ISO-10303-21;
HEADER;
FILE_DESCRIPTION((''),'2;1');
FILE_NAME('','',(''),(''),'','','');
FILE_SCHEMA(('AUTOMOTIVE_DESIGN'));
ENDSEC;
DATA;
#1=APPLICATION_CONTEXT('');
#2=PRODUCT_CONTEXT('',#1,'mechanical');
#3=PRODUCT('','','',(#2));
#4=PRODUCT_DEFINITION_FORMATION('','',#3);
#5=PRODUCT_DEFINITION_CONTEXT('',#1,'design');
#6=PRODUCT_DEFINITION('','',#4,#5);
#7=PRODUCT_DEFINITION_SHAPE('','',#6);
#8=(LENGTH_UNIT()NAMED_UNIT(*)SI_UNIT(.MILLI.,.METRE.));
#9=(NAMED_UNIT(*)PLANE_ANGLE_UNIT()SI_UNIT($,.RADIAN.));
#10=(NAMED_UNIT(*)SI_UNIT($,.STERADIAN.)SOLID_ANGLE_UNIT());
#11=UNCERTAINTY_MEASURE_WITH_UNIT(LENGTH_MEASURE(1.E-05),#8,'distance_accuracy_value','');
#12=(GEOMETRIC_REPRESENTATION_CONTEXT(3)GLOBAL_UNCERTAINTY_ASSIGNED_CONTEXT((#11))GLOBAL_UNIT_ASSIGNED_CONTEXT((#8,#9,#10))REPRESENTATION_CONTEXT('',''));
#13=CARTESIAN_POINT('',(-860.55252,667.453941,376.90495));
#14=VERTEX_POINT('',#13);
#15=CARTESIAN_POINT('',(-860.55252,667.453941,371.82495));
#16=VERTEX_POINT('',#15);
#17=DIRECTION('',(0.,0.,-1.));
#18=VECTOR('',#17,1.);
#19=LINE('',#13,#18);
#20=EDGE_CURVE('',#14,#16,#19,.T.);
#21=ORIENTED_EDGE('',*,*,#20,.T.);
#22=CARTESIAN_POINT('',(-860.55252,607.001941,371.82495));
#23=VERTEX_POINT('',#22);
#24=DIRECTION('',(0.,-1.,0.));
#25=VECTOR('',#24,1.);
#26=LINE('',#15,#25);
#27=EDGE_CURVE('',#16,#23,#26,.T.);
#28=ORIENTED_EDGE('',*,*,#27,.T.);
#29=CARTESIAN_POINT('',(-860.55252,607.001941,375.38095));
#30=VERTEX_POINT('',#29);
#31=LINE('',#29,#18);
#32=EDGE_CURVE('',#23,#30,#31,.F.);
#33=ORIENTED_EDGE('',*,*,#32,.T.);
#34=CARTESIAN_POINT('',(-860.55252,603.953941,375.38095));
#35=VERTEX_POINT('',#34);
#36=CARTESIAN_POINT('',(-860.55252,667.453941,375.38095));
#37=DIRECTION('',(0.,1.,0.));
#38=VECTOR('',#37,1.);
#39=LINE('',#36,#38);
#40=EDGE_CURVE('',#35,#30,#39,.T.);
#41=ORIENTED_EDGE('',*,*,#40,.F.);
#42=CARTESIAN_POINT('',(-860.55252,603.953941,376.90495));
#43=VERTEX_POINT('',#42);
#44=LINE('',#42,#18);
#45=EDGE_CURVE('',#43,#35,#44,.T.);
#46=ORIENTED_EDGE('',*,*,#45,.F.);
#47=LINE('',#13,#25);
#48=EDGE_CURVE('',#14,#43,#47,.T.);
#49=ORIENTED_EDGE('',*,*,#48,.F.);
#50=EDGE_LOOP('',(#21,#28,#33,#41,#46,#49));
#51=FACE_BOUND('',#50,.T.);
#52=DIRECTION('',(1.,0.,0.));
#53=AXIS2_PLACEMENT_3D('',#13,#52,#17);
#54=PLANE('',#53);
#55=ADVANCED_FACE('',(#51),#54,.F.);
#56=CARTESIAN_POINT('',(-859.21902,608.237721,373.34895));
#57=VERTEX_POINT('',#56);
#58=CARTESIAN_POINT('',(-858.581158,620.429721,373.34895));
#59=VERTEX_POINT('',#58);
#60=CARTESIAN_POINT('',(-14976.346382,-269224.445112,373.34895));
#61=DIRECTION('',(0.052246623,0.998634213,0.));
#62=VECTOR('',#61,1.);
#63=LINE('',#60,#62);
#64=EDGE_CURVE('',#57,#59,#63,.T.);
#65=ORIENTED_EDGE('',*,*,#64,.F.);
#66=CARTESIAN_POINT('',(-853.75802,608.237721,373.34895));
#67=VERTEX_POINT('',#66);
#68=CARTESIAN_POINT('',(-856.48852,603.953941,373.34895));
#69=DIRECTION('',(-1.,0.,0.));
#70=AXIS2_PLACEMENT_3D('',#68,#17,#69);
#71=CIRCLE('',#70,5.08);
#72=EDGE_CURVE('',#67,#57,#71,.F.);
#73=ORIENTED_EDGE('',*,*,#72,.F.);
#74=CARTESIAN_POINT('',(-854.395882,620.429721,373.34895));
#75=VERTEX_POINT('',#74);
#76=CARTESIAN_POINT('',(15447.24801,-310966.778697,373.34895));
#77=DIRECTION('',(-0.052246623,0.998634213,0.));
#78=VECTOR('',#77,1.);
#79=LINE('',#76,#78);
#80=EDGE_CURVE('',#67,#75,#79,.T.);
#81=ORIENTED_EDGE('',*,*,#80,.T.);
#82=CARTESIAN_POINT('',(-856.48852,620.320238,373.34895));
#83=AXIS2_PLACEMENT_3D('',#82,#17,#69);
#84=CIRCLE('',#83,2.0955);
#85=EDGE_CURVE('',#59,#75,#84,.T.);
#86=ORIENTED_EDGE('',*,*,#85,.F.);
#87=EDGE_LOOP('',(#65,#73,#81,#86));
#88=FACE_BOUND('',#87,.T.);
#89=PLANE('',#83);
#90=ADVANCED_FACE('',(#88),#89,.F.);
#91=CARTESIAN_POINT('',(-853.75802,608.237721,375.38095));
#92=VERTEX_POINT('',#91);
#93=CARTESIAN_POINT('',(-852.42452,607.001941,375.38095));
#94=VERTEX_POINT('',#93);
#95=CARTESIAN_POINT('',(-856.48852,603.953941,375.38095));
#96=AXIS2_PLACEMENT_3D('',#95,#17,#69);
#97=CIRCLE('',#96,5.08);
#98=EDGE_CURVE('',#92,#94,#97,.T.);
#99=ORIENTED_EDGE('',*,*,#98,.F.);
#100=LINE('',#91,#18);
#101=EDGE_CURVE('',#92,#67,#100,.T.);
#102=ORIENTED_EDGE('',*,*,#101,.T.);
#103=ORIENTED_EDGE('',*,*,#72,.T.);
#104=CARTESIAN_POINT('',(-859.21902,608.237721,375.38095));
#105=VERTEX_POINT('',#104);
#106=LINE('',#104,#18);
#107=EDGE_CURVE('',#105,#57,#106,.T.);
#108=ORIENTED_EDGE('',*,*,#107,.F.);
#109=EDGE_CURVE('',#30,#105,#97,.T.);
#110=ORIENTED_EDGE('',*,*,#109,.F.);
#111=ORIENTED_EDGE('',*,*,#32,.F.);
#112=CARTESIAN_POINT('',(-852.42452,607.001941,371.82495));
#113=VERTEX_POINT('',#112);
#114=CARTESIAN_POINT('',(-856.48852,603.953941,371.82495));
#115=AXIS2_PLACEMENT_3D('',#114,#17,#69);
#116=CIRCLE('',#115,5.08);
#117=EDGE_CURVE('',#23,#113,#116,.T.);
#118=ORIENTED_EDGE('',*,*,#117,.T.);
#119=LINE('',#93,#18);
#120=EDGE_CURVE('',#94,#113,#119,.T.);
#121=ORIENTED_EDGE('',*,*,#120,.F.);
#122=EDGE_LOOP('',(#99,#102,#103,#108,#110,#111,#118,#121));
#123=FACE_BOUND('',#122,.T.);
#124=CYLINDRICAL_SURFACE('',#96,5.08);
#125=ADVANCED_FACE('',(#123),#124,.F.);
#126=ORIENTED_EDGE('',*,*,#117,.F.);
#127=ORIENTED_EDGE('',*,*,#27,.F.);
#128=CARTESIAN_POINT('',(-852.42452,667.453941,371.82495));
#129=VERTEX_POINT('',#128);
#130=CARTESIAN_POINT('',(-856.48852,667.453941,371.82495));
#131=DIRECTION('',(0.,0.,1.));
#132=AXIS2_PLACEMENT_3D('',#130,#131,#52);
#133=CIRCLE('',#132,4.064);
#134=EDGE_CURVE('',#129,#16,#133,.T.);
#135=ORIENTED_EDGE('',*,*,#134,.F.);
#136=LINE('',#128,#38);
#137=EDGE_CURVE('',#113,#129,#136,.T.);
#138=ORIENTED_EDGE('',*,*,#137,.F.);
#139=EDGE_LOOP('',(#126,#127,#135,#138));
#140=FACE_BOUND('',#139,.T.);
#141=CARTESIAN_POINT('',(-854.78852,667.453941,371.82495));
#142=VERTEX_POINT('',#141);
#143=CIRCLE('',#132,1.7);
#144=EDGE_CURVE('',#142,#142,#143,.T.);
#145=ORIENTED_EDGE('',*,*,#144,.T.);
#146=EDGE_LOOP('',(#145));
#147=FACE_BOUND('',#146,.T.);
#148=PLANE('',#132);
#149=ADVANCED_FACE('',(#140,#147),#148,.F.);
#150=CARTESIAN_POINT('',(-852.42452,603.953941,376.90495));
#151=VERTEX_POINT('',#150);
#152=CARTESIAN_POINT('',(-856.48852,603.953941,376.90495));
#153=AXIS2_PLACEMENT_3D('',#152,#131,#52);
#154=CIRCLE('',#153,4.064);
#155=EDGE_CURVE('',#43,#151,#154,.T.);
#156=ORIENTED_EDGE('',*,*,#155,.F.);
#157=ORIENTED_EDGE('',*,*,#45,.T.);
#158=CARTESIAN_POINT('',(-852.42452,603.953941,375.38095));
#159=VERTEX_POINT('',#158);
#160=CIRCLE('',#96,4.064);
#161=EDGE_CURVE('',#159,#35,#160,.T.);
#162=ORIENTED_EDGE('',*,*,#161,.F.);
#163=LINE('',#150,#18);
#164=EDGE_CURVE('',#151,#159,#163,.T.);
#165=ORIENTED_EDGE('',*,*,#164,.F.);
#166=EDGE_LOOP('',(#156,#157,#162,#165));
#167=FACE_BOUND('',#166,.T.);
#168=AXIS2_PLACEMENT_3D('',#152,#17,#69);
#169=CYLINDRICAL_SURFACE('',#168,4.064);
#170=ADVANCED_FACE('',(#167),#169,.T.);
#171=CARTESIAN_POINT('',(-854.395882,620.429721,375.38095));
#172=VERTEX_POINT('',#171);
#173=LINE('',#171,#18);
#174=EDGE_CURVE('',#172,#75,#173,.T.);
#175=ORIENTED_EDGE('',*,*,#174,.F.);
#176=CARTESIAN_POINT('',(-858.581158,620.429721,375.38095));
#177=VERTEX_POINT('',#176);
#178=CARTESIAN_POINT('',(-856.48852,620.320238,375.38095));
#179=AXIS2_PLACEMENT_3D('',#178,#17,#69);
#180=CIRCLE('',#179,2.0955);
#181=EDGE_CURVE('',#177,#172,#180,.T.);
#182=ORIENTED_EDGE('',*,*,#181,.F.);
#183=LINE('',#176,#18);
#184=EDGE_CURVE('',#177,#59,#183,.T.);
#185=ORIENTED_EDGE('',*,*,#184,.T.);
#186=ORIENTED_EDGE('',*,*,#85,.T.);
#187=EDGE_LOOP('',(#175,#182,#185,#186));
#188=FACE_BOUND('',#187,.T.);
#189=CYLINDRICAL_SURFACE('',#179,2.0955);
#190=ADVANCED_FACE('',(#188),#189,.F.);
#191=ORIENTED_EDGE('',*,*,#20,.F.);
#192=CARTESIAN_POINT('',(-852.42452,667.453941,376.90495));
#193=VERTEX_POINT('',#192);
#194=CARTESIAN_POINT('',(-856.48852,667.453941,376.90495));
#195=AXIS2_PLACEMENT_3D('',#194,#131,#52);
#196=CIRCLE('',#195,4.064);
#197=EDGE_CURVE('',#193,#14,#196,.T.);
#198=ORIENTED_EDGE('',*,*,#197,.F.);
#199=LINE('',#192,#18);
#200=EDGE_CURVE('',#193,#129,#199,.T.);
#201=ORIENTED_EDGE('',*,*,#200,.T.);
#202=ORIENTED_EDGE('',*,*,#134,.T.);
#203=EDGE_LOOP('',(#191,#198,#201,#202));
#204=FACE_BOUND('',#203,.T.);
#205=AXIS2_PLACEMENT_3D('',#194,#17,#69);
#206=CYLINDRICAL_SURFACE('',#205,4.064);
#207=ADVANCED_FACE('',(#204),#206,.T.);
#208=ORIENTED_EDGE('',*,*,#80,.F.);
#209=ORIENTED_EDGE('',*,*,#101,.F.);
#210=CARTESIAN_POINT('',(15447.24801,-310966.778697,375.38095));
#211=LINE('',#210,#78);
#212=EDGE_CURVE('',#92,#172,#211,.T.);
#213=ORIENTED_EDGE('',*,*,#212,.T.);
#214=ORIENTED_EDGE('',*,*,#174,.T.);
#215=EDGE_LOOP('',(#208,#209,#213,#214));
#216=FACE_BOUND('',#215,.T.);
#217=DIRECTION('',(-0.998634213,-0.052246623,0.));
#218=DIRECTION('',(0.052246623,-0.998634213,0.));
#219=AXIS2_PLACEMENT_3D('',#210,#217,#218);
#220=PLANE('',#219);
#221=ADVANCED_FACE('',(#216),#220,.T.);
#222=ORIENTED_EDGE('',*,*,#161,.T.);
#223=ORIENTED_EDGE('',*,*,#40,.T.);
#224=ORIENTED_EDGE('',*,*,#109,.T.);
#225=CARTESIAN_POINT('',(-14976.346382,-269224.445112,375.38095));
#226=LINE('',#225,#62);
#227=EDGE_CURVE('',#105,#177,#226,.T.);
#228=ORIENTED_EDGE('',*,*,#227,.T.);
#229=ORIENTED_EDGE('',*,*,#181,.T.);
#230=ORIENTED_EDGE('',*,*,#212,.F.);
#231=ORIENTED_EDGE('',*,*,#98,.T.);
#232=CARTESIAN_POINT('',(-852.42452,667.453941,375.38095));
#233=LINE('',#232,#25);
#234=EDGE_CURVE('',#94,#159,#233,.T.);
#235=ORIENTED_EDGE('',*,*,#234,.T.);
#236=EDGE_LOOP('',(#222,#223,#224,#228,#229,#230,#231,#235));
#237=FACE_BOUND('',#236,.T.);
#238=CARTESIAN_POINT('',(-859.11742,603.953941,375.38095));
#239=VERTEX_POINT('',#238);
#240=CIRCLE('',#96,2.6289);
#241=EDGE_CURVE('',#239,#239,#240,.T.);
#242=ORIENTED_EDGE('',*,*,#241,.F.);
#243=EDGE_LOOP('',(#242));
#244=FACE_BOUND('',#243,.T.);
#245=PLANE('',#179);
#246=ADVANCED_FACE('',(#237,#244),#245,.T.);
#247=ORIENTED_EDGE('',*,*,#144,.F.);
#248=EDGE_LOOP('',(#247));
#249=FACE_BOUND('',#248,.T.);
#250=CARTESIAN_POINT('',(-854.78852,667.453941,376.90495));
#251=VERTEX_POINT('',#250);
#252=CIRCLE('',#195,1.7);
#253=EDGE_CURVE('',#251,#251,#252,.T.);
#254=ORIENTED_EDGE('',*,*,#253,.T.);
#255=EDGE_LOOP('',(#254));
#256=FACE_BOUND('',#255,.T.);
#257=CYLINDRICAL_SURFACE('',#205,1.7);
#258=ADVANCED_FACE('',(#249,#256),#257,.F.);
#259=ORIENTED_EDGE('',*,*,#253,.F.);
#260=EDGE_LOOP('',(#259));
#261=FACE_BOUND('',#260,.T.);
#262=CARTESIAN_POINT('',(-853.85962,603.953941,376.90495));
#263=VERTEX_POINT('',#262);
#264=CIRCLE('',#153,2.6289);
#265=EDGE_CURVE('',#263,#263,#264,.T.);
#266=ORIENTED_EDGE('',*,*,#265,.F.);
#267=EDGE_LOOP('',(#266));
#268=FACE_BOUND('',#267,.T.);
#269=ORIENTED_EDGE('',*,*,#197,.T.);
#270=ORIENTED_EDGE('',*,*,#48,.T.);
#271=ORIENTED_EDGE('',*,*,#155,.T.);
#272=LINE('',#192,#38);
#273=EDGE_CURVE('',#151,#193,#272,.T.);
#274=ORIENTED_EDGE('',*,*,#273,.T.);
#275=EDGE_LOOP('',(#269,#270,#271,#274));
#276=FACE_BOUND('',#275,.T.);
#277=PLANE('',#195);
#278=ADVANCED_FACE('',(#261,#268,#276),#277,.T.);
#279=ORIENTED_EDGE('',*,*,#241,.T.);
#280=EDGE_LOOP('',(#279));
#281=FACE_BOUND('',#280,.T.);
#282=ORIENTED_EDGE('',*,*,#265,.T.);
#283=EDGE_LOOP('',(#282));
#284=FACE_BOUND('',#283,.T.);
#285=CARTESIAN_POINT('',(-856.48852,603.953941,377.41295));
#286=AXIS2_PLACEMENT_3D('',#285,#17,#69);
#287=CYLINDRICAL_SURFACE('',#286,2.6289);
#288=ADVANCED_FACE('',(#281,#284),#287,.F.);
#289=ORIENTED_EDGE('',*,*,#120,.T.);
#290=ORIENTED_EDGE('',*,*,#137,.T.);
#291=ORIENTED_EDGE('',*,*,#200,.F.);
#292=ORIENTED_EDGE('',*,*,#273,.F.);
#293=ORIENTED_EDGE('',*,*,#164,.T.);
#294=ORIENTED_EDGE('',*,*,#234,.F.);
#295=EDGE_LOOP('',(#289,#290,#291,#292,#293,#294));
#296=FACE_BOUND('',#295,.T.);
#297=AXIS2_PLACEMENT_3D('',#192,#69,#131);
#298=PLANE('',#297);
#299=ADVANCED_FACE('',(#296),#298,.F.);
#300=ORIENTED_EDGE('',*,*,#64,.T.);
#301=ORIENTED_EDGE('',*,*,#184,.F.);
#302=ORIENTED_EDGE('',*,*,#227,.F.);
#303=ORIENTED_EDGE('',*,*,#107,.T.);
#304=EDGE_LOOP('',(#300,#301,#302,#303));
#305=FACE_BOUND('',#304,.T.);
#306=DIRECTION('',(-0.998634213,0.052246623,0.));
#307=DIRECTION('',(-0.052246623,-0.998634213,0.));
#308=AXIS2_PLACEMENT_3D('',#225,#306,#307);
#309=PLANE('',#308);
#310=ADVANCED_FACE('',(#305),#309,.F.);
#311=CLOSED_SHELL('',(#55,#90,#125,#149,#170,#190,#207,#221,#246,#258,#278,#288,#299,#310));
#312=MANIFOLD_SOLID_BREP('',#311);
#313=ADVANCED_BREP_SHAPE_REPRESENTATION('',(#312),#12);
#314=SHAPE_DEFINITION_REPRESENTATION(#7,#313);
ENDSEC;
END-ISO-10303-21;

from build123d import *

# Parameters (mm, degrees)
SKETCH1_R           = 1.700000029
BOSS_EXTRUDE1_DEPTH = 5.08
CUT_EXTRUDE1_START  = -2.54
CUT_EXTRUDE1_DEPTH  = 1.016
SKETCH3_R           = 2.6289
CUT_EXTRUDE2_DEPTH  = 2.032
CUT_EXTRUDE3_REACH  = 7.08
SKETCH2_3_R         = 1.700000029


with BuildPart() as part:
    # Sketch1 → Boss-Extrude1 (new body)
    with BuildSketch(Plane(origin=(-856.488519717, 635.703940982, 371.824950285), x_dir=(1, 0, 0), z_dir=(0, 0, 1))):
        with BuildLine():
            Line((4.064, 31.75), (4.064, -31.75))
            ThreePointArc((4.064, -31.75), (0, -35.814), (-4.064, -31.75))
            Line((-4.064, -31.75), (-4.064, 31.75))
            ThreePointArc((-4.064, 31.75), (0, 35.814), (4.064, 31.75))
        make_face()
        with Locations((0, -31.75)):
            Circle(SKETCH1_R, mode=Mode.SUBTRACT)
        with Locations((0, 31.75)):
            Circle(SKETCH1_R, mode=Mode.SUBTRACT)
    extrude(amount=BOSS_EXTRUDE1_DEPTH)

    # Sketch2 → Cut-Extrude1 (cut, symmetric)
    with BuildSketch(Plane(origin=(0, 0, 371.824950285), x_dir=(-1, 0, 0), z_dir=(0, 0, -1)).offset(CUT_EXTRUDE1_START)):
        with BuildLine():
            Line((859.219019717, 608.237720826), (858.581157709, 620.429720826))
            ThreePointArc((858.581157709, 620.429720826), (856.488519717, 622.415738028), (854.395881724, 620.429720826))
            Line((854.395881724, 620.429720826), (853.758019717, 608.237720826))
            ThreePointArc((853.758019717, 608.237720826), (856.488519717, 598.873940982), (859.219019717, 608.237720826))
        make_face()
    extrude(amount=CUT_EXTRUDE1_DEPTH, both=True, mode=Mode.SUBTRACT)

    # Sketch3 → Cut-Extrude2 (cut)
    with BuildSketch(Plane(origin=(0, 0, 375.380950285), x_dir=(-1, 0, 0), z_dir=(0, 0, -1))):
        with Locations((856.488519717, 603.953940982)):
            Circle(SKETCH3_R)
    extrude(amount=-CUT_EXTRUDE2_DEPTH, mode=Mode.SUBTRACT)

    # Sketch2_3 → Cut-Extrude3 (cut, up to next)
    with BuildSketch(Plane(origin=(0, 0, 371.824950285), x_dir=(-1, 0, 0), z_dir=(0, 0, -1)), mode=Mode.PRIVATE) as cut_extrude3_sk1:
        with BuildLine():
            ThreePointArc((860.552519717, 607.001940982), (859.941503284, 607.679971642), (859.219019717, 608.237720826))
            ThreePointArc((859.219019717, 608.237720826), (856.488519717, 609.033940982), (853.758019717, 608.237720826))
            ThreePointArc((853.758019717, 608.237720826), (853.035536149, 607.679971642), (852.424519717, 607.001940982))
            Line((852.424519717, 607.001940982), (852.424519717, 603.953940982))
            ThreePointArc((852.424519717, 603.953940982), (856.488519717, 599.889940982), (860.552519717, 603.953940982))
            Line((860.552519717, 603.953940982), (860.552519717, 607.001940982))
        make_face()
        with Locations((856.488519717, 603.953940982)):
            Circle(SKETCH2_3_R, mode=Mode.SUBTRACT)
    cut_extrude3_tool1 = extrude(cut_extrude3_sk1.sketch, amount=-CUT_EXTRUDE3_REACH, mode=Mode.PRIVATE) & part.part
    add(cut_extrude3_tool1.solids().sort_by_distance((-859.858344, 607.590237, 371.82495))[0], mode=Mode.SUBTRACT)


solid = part.part
